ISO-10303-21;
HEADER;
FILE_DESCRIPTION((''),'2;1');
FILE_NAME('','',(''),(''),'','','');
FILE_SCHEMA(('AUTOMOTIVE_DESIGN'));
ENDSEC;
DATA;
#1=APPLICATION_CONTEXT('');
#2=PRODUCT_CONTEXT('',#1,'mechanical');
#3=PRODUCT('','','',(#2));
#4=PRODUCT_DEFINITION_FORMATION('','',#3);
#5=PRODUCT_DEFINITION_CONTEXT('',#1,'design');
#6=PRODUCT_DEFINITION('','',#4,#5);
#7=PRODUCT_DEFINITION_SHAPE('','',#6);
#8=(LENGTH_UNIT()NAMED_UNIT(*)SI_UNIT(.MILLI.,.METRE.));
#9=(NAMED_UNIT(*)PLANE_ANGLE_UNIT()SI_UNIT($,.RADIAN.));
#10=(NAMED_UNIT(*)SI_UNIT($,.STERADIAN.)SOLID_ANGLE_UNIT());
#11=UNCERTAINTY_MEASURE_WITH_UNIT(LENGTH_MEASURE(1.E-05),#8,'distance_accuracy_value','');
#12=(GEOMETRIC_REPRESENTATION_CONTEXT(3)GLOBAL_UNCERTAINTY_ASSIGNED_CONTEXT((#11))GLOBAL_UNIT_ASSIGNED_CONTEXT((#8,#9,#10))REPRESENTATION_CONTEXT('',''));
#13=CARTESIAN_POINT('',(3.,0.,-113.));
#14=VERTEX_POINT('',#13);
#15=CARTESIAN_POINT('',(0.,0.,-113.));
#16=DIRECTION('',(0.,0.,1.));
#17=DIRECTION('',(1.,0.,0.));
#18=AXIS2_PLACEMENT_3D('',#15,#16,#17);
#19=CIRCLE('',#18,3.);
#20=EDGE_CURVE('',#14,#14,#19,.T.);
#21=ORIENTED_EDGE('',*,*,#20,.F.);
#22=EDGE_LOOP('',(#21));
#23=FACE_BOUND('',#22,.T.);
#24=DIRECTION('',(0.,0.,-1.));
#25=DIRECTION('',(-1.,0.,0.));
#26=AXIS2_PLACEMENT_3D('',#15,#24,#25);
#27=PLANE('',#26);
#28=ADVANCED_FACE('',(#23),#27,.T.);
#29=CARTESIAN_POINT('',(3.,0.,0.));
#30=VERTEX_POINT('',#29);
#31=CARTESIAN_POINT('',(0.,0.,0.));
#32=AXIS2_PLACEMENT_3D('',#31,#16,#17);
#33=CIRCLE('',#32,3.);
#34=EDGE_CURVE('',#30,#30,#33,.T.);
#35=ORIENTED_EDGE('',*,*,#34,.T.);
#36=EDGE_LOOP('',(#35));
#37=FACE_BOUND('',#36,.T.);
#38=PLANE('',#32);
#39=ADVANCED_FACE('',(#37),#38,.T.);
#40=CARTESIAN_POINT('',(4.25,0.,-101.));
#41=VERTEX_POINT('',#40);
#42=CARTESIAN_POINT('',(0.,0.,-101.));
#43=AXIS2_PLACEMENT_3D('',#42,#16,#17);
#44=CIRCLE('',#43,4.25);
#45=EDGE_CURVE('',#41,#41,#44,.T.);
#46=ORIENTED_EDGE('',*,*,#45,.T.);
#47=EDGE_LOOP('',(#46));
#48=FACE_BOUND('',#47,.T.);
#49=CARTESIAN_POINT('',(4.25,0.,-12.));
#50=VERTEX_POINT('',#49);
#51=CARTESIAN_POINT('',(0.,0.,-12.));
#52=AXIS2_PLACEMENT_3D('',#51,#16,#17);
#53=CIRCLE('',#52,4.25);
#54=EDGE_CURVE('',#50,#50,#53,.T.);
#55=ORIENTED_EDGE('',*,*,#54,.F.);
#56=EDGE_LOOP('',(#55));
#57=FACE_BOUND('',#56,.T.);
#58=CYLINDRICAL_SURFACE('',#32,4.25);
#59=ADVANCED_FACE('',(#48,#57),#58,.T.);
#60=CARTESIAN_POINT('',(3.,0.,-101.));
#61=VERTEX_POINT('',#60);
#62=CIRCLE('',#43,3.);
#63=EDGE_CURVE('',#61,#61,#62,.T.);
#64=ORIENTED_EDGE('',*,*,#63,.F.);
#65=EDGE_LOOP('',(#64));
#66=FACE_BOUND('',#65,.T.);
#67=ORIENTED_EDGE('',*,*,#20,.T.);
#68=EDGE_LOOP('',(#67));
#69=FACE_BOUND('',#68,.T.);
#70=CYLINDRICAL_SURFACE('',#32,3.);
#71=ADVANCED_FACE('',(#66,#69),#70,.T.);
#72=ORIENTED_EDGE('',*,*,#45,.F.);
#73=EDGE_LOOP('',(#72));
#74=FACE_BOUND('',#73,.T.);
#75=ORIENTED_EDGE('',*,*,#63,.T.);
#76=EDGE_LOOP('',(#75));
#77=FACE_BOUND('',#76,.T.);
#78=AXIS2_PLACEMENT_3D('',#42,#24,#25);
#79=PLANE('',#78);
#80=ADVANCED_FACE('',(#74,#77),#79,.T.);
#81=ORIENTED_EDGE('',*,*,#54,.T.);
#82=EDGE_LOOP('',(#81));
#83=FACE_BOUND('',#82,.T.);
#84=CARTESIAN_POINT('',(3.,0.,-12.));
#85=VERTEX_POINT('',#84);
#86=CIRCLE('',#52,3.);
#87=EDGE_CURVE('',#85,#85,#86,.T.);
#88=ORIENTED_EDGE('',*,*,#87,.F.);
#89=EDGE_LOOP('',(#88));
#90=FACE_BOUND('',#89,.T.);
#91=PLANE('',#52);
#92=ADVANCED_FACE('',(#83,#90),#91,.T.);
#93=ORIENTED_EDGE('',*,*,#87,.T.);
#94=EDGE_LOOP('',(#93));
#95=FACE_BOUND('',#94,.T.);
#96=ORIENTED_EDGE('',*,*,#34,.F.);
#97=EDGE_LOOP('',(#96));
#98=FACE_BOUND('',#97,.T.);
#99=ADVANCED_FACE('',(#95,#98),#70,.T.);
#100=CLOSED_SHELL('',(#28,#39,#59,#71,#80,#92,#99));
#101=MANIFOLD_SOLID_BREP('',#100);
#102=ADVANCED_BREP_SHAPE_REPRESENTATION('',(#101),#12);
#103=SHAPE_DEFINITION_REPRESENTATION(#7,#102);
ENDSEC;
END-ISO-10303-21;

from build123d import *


with BuildPart() as part:
    # Sketch1 → Revolve2 (revolve)
    with BuildSketch(Plane(origin=(0, 0, 0), x_dir=(0, 0, -1), z_dir=(1, 0, 0)), mode=Mode.PRIVATE) as revolve2_sk:
        Polygon((0, 0), (0, 3), (12, 3), (12, 4.25), (101, 4.25), (101, 3), (113, 3), (113, 0), align=None)
    revolve(revolve2_sk.sketch.rotate(Axis((0, 0, 0), (0, 0, -1)), 90), axis=Axis((0, 0, 0), (0, 0, -1)))


solid = part.part
